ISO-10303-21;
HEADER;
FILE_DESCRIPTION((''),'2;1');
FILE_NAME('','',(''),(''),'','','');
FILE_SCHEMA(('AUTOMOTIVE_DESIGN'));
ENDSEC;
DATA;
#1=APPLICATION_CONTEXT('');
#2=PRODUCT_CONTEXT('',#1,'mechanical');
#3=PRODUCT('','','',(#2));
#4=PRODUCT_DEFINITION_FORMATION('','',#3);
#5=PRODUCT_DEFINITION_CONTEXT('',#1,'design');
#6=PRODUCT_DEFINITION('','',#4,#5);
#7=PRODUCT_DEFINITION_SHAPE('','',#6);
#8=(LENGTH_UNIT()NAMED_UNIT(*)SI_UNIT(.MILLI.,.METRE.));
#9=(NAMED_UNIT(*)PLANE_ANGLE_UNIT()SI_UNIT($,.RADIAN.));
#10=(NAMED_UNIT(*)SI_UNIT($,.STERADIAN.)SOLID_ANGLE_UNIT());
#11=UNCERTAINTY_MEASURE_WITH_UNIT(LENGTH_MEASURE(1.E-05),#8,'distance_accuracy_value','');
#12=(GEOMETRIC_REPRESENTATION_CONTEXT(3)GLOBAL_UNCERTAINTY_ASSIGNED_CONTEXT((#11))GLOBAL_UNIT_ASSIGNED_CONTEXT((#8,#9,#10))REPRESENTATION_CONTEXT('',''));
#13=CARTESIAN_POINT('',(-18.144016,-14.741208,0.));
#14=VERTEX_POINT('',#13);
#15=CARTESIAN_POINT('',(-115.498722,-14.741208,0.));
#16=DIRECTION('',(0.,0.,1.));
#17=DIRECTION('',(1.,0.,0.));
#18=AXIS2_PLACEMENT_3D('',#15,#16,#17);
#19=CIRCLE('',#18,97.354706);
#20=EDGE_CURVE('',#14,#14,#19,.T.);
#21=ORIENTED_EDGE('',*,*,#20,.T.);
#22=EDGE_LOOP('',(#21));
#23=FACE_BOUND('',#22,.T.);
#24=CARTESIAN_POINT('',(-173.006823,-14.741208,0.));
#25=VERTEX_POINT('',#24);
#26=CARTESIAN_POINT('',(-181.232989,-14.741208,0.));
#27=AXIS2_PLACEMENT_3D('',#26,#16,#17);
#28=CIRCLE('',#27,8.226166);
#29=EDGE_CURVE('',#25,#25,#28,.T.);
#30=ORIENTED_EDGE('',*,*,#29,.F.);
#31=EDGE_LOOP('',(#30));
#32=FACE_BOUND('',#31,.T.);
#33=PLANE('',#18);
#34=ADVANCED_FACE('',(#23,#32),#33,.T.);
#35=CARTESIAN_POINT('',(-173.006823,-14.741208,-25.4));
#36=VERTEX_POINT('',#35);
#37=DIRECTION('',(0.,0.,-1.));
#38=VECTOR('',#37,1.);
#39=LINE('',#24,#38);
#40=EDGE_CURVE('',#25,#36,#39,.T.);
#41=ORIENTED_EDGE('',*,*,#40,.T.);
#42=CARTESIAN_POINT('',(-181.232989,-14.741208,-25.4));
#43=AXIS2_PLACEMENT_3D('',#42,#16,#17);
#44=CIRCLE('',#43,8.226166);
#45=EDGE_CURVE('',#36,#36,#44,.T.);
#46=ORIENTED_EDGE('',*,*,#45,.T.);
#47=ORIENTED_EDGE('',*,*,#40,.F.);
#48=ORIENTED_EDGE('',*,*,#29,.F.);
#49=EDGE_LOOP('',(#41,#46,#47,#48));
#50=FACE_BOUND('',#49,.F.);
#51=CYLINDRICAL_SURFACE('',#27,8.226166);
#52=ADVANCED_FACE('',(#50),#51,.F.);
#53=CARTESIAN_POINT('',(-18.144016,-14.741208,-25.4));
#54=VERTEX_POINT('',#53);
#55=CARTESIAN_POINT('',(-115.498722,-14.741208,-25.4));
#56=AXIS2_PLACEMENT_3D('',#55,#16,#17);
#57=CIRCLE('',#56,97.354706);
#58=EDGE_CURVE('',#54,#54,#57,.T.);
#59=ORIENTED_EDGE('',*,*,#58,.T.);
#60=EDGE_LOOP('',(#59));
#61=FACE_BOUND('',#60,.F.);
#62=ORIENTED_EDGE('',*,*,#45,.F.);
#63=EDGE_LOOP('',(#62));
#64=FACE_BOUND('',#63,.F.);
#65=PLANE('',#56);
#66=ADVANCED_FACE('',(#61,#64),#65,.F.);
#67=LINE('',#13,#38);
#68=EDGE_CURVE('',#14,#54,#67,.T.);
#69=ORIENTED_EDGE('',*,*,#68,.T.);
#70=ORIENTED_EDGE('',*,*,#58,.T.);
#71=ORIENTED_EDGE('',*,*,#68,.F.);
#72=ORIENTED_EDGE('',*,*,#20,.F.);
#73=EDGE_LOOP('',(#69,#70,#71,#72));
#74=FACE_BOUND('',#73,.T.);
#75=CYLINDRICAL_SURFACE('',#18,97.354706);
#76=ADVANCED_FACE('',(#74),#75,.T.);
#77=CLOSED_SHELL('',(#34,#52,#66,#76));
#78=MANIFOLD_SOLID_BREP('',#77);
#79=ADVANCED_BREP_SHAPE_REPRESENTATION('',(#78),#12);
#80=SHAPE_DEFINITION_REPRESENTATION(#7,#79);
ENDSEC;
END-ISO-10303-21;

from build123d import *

# Parameters (mm, degrees)
F0_R     = 97.354706
F0_R_2   = 8.226166
F1_DEPTH = 25.4


with BuildPart() as f1:
    # F0 (on Top) → F1 (new body)
    with BuildSketch(Plane.XY):
        with Locations((-115.498722, -14.741208)):
            Circle(F0_R)
        with Locations((-181.232989, -14.741208)):
            Circle(F0_R_2, mode=Mode.SUBTRACT)
    extrude(amount=-F1_DEPTH)


solid = f1.part
